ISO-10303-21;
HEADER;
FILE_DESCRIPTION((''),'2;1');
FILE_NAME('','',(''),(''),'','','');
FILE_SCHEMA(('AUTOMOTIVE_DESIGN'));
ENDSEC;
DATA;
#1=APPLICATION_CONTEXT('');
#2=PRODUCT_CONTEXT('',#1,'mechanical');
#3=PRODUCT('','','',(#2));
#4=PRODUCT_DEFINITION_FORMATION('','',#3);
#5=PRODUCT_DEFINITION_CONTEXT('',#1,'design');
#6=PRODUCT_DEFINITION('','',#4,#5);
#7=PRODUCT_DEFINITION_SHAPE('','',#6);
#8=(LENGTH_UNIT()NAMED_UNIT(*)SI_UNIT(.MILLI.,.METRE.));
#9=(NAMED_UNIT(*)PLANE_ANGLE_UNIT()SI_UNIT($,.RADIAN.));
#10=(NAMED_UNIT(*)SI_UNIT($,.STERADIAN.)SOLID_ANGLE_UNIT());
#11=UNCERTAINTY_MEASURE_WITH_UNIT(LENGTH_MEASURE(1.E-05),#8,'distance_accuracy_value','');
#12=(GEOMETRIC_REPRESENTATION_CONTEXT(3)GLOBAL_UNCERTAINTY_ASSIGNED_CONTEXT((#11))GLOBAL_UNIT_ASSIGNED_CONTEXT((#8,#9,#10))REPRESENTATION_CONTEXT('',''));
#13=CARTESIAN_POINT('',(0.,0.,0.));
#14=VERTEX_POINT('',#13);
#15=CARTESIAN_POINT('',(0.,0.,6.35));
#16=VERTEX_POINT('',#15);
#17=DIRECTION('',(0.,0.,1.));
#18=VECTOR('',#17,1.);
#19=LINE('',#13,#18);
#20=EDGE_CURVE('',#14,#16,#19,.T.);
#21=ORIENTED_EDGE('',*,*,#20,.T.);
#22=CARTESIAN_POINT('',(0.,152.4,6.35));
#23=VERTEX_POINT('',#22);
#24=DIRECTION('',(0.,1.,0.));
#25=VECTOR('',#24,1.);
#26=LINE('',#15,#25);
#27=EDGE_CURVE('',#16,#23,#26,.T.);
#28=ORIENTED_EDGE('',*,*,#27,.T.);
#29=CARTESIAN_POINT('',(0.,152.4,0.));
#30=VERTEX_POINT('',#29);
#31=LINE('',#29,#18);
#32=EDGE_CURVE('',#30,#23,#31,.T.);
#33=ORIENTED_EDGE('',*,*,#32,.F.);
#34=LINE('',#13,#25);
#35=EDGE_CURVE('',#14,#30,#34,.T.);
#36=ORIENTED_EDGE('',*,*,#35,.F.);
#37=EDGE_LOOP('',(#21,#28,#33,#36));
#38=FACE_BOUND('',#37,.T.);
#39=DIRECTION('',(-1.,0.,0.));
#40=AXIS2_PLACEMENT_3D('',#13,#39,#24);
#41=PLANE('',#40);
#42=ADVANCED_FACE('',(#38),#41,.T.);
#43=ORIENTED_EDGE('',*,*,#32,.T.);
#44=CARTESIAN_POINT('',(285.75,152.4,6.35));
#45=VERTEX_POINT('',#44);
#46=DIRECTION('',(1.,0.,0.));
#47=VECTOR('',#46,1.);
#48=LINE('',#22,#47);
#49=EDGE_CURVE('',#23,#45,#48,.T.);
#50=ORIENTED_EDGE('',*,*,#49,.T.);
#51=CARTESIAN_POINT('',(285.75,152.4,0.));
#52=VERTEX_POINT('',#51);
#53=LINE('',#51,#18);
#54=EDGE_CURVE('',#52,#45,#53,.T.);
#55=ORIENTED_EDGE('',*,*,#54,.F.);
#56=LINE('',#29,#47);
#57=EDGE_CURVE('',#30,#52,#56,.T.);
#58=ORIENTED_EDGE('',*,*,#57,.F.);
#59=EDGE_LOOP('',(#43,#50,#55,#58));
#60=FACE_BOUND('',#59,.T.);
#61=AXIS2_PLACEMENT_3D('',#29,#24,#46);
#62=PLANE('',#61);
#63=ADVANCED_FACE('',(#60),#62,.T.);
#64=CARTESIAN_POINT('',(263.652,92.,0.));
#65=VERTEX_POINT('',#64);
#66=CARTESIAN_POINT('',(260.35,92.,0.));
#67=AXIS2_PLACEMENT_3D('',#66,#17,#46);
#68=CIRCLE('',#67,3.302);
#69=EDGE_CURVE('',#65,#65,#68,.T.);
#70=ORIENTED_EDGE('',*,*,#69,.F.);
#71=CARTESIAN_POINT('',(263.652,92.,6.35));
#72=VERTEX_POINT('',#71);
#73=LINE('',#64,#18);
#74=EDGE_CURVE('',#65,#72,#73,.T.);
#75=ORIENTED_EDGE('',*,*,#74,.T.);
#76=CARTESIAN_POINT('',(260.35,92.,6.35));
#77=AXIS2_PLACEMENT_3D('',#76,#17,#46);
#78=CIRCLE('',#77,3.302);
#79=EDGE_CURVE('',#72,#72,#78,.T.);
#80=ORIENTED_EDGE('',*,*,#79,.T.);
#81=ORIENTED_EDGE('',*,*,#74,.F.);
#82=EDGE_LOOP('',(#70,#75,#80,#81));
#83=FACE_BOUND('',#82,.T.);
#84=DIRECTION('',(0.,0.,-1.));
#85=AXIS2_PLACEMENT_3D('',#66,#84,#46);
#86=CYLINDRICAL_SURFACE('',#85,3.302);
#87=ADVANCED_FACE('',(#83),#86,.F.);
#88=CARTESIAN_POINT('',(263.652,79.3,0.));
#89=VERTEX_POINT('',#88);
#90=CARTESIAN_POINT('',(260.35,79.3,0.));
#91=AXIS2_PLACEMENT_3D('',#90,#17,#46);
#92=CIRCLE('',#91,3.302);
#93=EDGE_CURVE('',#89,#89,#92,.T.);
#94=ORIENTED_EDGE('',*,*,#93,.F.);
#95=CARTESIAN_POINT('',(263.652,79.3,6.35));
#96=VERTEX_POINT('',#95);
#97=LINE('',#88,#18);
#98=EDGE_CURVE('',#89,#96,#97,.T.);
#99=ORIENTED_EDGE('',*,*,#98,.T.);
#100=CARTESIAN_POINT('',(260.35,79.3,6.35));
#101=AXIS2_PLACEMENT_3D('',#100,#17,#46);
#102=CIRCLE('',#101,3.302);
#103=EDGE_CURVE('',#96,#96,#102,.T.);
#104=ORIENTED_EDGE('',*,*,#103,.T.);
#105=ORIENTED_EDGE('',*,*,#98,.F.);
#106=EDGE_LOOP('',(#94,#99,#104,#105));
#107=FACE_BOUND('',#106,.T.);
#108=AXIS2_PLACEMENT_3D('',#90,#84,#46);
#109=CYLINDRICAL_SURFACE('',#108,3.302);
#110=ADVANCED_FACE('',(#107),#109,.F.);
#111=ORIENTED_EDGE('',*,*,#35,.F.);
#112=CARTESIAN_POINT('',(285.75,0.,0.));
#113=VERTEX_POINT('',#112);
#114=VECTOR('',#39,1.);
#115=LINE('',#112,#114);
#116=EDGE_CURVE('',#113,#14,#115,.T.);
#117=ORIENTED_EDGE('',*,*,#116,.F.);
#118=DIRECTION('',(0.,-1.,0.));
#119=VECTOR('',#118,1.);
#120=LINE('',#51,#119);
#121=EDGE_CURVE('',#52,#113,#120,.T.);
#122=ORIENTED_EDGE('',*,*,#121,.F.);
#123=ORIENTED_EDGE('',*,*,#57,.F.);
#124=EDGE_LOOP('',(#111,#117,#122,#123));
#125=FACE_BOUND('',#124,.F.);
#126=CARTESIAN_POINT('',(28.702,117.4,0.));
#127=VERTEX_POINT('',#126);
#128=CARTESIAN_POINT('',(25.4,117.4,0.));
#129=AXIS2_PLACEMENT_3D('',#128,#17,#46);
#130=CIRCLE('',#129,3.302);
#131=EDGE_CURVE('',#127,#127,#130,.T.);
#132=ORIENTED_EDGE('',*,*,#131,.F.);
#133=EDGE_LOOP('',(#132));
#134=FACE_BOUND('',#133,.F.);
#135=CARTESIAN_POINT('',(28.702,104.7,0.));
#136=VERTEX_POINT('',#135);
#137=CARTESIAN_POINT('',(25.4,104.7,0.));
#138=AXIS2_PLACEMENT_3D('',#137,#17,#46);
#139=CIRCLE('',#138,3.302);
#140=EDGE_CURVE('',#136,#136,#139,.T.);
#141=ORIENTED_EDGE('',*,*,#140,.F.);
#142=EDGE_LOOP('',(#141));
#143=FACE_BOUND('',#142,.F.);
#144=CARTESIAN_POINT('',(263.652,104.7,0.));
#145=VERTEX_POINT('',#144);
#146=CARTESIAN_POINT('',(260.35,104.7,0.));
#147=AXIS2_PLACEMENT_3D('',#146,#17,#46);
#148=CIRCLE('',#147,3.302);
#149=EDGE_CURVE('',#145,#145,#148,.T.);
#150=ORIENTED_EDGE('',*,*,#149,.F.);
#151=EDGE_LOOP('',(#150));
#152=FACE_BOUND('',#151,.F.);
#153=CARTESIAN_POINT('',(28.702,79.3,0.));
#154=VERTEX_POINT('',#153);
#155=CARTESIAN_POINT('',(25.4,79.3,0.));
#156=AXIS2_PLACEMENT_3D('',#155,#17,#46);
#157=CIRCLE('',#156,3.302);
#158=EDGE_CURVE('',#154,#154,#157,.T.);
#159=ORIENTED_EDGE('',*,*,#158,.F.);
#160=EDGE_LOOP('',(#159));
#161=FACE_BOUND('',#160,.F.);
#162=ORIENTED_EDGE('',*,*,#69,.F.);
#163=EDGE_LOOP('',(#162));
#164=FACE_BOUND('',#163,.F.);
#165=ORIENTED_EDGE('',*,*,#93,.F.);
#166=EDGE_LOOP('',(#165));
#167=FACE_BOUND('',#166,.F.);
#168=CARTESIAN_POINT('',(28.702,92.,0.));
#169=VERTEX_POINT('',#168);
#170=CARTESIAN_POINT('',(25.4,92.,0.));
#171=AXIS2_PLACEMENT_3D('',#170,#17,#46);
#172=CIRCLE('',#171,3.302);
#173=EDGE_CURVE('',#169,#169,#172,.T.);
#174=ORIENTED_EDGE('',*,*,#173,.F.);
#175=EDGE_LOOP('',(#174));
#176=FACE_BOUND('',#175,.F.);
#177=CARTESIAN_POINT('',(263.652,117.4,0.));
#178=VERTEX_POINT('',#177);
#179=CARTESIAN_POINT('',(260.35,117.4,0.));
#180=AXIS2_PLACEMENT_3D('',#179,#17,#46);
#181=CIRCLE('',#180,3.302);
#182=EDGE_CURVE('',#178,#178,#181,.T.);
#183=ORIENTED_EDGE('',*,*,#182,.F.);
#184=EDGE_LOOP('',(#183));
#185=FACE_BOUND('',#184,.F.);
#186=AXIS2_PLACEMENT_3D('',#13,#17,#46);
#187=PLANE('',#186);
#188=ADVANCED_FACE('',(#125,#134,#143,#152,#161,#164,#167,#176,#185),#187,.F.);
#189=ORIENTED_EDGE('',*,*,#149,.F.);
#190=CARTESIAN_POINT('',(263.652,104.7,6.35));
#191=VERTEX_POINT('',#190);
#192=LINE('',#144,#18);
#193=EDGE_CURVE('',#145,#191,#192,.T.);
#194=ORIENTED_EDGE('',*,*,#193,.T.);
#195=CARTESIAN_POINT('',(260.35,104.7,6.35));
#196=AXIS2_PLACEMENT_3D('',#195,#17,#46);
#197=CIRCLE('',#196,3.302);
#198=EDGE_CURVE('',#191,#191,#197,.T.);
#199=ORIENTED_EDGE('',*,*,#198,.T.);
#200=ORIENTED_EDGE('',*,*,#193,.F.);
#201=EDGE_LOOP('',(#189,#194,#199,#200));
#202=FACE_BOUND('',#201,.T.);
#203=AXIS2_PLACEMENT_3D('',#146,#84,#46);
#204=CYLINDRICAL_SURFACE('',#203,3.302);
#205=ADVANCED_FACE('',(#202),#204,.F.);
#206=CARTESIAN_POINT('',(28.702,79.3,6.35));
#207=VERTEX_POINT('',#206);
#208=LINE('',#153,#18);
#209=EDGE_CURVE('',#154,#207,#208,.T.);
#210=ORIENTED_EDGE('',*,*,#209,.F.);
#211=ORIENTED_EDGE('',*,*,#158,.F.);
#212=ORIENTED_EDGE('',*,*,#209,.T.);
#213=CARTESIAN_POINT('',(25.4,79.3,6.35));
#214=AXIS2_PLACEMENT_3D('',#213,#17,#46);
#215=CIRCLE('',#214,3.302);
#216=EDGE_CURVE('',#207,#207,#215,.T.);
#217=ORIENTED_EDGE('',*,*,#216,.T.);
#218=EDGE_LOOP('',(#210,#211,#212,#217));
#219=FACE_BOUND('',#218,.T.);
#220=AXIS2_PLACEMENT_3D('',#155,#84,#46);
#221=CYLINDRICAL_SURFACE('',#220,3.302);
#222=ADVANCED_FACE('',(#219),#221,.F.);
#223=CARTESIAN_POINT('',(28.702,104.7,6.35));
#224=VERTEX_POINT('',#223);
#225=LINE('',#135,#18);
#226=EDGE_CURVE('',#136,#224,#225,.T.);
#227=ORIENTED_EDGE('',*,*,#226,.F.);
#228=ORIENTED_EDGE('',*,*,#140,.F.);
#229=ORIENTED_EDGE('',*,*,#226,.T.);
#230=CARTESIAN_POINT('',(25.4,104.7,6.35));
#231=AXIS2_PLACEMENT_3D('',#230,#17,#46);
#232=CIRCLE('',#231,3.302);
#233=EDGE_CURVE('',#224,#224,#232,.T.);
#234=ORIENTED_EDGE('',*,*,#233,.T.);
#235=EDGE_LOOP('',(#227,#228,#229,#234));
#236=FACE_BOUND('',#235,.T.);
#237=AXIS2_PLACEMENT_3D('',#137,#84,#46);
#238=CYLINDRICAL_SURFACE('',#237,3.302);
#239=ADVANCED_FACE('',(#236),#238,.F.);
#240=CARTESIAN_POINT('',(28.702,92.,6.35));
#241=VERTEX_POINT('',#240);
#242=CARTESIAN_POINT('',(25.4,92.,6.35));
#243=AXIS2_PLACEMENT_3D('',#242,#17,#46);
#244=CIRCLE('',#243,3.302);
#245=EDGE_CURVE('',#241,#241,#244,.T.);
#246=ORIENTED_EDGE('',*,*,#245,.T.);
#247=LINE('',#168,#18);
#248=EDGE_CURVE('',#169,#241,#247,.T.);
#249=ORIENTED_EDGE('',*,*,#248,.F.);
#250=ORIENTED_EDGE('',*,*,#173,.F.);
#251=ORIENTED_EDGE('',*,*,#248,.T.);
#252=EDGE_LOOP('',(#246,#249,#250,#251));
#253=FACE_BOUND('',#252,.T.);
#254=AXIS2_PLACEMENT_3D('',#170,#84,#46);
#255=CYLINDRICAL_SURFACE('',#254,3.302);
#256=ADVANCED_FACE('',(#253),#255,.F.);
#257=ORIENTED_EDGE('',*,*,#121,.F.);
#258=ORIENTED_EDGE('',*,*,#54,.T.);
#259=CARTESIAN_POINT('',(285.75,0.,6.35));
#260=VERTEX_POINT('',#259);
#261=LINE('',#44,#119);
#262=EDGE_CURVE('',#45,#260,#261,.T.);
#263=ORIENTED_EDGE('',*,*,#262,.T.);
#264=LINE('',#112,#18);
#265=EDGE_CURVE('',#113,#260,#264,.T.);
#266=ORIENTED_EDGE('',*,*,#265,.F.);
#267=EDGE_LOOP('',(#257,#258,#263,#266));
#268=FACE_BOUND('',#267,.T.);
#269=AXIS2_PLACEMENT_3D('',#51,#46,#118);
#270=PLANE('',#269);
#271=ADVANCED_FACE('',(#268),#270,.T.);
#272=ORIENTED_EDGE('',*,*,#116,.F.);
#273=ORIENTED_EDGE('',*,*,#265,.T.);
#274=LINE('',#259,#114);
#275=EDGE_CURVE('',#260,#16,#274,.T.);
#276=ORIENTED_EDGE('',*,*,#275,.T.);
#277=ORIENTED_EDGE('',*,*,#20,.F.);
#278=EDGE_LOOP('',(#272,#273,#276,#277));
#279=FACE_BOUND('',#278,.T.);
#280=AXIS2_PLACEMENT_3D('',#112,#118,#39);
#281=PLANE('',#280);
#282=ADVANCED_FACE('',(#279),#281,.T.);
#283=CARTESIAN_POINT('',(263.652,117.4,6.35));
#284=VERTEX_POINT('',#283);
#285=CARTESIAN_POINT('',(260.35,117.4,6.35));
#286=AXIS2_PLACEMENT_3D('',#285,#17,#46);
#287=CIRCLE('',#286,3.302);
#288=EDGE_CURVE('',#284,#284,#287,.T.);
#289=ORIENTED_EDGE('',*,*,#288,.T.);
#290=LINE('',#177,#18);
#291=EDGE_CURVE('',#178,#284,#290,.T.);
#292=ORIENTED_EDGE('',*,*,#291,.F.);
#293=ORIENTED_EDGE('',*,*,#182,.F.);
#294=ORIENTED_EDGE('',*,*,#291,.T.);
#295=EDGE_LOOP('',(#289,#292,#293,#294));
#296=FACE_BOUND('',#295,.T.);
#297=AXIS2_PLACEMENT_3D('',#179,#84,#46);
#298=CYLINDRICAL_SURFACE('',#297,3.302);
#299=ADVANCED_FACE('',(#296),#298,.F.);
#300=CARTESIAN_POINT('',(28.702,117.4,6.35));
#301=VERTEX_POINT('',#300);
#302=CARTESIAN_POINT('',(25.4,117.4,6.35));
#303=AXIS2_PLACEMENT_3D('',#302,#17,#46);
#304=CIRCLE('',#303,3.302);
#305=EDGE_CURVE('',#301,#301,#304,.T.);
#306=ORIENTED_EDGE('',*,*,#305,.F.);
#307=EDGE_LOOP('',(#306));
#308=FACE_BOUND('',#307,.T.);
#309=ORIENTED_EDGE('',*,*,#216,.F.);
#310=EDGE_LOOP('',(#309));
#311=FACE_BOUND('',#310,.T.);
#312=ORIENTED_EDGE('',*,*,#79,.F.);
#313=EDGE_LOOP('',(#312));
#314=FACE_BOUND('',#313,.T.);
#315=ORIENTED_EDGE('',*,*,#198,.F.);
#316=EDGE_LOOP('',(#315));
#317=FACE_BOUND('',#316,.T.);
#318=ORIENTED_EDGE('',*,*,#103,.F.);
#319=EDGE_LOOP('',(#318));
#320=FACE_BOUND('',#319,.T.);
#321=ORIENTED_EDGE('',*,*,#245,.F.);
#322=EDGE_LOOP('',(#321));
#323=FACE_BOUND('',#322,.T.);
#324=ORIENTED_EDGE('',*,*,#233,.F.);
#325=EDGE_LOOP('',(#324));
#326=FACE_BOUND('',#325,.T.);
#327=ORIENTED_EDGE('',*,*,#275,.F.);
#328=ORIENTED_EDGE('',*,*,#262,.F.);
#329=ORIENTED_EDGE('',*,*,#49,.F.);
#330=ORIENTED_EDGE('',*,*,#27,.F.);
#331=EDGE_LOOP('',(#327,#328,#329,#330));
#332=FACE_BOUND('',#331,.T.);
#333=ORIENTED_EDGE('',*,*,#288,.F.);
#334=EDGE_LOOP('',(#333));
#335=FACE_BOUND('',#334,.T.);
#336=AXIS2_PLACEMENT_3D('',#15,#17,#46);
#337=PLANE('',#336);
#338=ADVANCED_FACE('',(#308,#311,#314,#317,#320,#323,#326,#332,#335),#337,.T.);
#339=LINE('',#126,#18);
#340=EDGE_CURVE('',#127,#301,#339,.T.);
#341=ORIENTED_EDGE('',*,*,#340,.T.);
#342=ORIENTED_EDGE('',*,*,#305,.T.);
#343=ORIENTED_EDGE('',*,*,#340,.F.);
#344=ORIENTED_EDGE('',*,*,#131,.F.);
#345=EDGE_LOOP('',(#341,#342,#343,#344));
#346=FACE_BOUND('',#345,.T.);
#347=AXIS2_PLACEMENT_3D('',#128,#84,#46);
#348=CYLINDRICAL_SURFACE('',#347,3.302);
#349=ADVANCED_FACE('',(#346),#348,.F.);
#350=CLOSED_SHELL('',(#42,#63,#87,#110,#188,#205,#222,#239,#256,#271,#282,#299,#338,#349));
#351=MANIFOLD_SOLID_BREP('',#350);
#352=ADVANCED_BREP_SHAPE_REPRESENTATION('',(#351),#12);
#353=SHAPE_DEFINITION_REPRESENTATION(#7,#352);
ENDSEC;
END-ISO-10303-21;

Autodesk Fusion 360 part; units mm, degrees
sketch "long_side" plane through (0, 0, 0) normal (0, 0, 1) x (1, 0, 0)
  line L0 (0, 152.4) -> (285.75, 152.4)
  line L1 (285.75, 152.4) -> (285.75, 0)
  line L2 (285.75, 0) -> (0, 0)
  line L3 (0, 0) -> (0, 152.4)
  circle A0 centre (25.4, 117.4) radius 3.302
  circle A1 centre (25.4, 92) radius 3.302
  circle A2 centre (25.4, 79.3) radius 3.302
  circle A3 centre (25.4, 104.7) radius 3.302
  circle A4 centre (260.35, 117.4) radius 3.302
  circle A5 centre (260.35, 92) radius 3.302
  circle A6 centre (260.35, 104.7) radius 3.302
  circle A7 centre (260.35, 79.3) radius 3.302
  dimension "d1" = 285.75
  dimension "d2" = 152.4
  dimension "d3" = 6.604
  dimension "d55" = 6.604
  dimension "d57" = 6.604
  dimension "d63" = 6.604
  dimension "d75" = 35
  dimension "d76" = 25.4
  dimension "d77" = 12.7
  dimension "d78" = 25.4
  dimension "d79" = 25.4
  dimension "d80" = 25.4
  dimension "d81" = 12.7
  dimension "d82" = 12.7
  dimension "d89" = 6.604
  dimension "d90" = 6.604
  dimension "d91" = 6.604
  dimension "d92" = 6.604
  dimension "d93" = 12.7
  dimension "d94" = 12.7
  dimension "d95" = 12.7
  dimension "d96" = 25.4
  dimension "d97" = 25.4
  dimension "d98" = 25.4
  dimension "d99" = 25.4
  dimension "d100" = 35
extrude "Extrude1" add sketch "long_side" along normal blind 6.35
sketch "Sketch2" plane through (0, 0, 0) normal (0, 0, 1) x (1, 0, 0)
  line L0 (25, 117) -> (25, 104.3) construction
  dimension "d35" = 12.7
